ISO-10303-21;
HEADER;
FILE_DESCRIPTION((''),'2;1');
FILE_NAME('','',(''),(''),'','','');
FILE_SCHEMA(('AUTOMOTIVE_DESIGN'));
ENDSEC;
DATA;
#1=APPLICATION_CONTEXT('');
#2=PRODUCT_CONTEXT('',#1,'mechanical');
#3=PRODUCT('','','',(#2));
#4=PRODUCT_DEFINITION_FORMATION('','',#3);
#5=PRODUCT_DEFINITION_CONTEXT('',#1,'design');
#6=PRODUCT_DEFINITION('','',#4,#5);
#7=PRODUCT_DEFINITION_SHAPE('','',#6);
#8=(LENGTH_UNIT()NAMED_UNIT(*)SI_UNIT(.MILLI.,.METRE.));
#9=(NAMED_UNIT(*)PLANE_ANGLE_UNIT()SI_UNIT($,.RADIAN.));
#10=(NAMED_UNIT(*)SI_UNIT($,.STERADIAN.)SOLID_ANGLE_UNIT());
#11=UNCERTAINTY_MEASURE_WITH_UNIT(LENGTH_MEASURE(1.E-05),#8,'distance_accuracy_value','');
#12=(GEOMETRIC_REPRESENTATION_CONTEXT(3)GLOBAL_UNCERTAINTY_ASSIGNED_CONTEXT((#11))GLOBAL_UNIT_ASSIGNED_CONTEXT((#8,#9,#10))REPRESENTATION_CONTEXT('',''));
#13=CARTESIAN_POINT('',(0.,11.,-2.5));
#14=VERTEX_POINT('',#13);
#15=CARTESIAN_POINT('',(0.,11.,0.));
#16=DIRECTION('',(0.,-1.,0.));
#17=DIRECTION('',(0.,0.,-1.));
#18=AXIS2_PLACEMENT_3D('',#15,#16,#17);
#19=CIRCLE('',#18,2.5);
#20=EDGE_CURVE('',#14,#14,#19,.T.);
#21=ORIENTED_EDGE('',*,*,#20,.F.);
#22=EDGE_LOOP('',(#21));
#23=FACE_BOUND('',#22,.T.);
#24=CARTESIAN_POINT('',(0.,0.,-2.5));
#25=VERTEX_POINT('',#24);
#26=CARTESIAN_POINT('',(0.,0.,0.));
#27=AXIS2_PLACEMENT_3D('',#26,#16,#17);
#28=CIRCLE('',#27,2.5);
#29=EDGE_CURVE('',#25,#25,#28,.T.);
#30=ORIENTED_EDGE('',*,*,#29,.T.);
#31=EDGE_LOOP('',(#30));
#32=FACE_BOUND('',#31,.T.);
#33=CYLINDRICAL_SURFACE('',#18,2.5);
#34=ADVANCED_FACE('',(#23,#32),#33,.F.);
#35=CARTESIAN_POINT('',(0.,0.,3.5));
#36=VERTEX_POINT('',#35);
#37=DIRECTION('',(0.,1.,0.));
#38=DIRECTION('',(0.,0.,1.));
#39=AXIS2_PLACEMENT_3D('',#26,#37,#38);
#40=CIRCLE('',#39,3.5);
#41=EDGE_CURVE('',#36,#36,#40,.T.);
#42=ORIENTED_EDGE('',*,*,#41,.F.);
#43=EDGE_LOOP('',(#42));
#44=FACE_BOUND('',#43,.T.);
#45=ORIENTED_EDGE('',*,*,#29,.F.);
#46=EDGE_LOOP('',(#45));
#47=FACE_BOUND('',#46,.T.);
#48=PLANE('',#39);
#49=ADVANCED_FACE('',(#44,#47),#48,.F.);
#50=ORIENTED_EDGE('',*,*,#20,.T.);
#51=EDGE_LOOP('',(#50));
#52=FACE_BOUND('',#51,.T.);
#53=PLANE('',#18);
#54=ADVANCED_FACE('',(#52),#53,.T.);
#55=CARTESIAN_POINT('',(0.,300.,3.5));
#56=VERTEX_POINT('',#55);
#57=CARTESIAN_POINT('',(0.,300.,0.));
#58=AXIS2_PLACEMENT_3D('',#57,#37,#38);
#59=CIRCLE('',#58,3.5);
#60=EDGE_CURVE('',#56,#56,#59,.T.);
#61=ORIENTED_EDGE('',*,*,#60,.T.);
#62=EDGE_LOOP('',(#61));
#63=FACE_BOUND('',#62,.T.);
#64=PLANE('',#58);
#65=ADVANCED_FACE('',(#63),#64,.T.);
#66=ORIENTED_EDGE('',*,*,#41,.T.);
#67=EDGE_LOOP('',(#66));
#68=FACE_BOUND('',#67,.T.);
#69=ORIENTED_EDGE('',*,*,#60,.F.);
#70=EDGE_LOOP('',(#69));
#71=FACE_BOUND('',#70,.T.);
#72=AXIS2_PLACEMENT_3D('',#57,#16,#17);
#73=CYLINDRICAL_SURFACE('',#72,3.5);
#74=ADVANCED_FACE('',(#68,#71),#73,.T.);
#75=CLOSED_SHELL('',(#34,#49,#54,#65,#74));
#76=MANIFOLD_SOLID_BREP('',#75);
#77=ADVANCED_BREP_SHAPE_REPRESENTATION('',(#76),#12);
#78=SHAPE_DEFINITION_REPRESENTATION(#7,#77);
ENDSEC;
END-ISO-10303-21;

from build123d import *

# Parameters (mm, degrees)
SKETCH1_R           = 3.5
BOSS_EXTRUDE1_DEPTH = 300
SKETCH2_R           = 2.5
CUT_EXTRUDE1_DEPTH  = 11


with BuildPart() as part:
    # Sketch1 → Boss-Extrude1 (new body)
    with BuildSketch(Plane(origin=(0, 0, 0), x_dir=(1, 0, 0), z_dir=(0, 1, 0))):
        with Locations(Location((0, 0, 0), (0, 0, 270))):
            Circle(SKETCH1_R)
    extrude(amount=BOSS_EXTRUDE1_DEPTH)

    # Sketch2 → Cut-Extrude1 (cut)
    with BuildSketch(Plane.XZ):
        with Locations(Location((0, 0, 0), (0, 0, 270))):
            Circle(SKETCH2_R)
    extrude(amount=-CUT_EXTRUDE1_DEPTH, mode=Mode.SUBTRACT)


solid = part.part
